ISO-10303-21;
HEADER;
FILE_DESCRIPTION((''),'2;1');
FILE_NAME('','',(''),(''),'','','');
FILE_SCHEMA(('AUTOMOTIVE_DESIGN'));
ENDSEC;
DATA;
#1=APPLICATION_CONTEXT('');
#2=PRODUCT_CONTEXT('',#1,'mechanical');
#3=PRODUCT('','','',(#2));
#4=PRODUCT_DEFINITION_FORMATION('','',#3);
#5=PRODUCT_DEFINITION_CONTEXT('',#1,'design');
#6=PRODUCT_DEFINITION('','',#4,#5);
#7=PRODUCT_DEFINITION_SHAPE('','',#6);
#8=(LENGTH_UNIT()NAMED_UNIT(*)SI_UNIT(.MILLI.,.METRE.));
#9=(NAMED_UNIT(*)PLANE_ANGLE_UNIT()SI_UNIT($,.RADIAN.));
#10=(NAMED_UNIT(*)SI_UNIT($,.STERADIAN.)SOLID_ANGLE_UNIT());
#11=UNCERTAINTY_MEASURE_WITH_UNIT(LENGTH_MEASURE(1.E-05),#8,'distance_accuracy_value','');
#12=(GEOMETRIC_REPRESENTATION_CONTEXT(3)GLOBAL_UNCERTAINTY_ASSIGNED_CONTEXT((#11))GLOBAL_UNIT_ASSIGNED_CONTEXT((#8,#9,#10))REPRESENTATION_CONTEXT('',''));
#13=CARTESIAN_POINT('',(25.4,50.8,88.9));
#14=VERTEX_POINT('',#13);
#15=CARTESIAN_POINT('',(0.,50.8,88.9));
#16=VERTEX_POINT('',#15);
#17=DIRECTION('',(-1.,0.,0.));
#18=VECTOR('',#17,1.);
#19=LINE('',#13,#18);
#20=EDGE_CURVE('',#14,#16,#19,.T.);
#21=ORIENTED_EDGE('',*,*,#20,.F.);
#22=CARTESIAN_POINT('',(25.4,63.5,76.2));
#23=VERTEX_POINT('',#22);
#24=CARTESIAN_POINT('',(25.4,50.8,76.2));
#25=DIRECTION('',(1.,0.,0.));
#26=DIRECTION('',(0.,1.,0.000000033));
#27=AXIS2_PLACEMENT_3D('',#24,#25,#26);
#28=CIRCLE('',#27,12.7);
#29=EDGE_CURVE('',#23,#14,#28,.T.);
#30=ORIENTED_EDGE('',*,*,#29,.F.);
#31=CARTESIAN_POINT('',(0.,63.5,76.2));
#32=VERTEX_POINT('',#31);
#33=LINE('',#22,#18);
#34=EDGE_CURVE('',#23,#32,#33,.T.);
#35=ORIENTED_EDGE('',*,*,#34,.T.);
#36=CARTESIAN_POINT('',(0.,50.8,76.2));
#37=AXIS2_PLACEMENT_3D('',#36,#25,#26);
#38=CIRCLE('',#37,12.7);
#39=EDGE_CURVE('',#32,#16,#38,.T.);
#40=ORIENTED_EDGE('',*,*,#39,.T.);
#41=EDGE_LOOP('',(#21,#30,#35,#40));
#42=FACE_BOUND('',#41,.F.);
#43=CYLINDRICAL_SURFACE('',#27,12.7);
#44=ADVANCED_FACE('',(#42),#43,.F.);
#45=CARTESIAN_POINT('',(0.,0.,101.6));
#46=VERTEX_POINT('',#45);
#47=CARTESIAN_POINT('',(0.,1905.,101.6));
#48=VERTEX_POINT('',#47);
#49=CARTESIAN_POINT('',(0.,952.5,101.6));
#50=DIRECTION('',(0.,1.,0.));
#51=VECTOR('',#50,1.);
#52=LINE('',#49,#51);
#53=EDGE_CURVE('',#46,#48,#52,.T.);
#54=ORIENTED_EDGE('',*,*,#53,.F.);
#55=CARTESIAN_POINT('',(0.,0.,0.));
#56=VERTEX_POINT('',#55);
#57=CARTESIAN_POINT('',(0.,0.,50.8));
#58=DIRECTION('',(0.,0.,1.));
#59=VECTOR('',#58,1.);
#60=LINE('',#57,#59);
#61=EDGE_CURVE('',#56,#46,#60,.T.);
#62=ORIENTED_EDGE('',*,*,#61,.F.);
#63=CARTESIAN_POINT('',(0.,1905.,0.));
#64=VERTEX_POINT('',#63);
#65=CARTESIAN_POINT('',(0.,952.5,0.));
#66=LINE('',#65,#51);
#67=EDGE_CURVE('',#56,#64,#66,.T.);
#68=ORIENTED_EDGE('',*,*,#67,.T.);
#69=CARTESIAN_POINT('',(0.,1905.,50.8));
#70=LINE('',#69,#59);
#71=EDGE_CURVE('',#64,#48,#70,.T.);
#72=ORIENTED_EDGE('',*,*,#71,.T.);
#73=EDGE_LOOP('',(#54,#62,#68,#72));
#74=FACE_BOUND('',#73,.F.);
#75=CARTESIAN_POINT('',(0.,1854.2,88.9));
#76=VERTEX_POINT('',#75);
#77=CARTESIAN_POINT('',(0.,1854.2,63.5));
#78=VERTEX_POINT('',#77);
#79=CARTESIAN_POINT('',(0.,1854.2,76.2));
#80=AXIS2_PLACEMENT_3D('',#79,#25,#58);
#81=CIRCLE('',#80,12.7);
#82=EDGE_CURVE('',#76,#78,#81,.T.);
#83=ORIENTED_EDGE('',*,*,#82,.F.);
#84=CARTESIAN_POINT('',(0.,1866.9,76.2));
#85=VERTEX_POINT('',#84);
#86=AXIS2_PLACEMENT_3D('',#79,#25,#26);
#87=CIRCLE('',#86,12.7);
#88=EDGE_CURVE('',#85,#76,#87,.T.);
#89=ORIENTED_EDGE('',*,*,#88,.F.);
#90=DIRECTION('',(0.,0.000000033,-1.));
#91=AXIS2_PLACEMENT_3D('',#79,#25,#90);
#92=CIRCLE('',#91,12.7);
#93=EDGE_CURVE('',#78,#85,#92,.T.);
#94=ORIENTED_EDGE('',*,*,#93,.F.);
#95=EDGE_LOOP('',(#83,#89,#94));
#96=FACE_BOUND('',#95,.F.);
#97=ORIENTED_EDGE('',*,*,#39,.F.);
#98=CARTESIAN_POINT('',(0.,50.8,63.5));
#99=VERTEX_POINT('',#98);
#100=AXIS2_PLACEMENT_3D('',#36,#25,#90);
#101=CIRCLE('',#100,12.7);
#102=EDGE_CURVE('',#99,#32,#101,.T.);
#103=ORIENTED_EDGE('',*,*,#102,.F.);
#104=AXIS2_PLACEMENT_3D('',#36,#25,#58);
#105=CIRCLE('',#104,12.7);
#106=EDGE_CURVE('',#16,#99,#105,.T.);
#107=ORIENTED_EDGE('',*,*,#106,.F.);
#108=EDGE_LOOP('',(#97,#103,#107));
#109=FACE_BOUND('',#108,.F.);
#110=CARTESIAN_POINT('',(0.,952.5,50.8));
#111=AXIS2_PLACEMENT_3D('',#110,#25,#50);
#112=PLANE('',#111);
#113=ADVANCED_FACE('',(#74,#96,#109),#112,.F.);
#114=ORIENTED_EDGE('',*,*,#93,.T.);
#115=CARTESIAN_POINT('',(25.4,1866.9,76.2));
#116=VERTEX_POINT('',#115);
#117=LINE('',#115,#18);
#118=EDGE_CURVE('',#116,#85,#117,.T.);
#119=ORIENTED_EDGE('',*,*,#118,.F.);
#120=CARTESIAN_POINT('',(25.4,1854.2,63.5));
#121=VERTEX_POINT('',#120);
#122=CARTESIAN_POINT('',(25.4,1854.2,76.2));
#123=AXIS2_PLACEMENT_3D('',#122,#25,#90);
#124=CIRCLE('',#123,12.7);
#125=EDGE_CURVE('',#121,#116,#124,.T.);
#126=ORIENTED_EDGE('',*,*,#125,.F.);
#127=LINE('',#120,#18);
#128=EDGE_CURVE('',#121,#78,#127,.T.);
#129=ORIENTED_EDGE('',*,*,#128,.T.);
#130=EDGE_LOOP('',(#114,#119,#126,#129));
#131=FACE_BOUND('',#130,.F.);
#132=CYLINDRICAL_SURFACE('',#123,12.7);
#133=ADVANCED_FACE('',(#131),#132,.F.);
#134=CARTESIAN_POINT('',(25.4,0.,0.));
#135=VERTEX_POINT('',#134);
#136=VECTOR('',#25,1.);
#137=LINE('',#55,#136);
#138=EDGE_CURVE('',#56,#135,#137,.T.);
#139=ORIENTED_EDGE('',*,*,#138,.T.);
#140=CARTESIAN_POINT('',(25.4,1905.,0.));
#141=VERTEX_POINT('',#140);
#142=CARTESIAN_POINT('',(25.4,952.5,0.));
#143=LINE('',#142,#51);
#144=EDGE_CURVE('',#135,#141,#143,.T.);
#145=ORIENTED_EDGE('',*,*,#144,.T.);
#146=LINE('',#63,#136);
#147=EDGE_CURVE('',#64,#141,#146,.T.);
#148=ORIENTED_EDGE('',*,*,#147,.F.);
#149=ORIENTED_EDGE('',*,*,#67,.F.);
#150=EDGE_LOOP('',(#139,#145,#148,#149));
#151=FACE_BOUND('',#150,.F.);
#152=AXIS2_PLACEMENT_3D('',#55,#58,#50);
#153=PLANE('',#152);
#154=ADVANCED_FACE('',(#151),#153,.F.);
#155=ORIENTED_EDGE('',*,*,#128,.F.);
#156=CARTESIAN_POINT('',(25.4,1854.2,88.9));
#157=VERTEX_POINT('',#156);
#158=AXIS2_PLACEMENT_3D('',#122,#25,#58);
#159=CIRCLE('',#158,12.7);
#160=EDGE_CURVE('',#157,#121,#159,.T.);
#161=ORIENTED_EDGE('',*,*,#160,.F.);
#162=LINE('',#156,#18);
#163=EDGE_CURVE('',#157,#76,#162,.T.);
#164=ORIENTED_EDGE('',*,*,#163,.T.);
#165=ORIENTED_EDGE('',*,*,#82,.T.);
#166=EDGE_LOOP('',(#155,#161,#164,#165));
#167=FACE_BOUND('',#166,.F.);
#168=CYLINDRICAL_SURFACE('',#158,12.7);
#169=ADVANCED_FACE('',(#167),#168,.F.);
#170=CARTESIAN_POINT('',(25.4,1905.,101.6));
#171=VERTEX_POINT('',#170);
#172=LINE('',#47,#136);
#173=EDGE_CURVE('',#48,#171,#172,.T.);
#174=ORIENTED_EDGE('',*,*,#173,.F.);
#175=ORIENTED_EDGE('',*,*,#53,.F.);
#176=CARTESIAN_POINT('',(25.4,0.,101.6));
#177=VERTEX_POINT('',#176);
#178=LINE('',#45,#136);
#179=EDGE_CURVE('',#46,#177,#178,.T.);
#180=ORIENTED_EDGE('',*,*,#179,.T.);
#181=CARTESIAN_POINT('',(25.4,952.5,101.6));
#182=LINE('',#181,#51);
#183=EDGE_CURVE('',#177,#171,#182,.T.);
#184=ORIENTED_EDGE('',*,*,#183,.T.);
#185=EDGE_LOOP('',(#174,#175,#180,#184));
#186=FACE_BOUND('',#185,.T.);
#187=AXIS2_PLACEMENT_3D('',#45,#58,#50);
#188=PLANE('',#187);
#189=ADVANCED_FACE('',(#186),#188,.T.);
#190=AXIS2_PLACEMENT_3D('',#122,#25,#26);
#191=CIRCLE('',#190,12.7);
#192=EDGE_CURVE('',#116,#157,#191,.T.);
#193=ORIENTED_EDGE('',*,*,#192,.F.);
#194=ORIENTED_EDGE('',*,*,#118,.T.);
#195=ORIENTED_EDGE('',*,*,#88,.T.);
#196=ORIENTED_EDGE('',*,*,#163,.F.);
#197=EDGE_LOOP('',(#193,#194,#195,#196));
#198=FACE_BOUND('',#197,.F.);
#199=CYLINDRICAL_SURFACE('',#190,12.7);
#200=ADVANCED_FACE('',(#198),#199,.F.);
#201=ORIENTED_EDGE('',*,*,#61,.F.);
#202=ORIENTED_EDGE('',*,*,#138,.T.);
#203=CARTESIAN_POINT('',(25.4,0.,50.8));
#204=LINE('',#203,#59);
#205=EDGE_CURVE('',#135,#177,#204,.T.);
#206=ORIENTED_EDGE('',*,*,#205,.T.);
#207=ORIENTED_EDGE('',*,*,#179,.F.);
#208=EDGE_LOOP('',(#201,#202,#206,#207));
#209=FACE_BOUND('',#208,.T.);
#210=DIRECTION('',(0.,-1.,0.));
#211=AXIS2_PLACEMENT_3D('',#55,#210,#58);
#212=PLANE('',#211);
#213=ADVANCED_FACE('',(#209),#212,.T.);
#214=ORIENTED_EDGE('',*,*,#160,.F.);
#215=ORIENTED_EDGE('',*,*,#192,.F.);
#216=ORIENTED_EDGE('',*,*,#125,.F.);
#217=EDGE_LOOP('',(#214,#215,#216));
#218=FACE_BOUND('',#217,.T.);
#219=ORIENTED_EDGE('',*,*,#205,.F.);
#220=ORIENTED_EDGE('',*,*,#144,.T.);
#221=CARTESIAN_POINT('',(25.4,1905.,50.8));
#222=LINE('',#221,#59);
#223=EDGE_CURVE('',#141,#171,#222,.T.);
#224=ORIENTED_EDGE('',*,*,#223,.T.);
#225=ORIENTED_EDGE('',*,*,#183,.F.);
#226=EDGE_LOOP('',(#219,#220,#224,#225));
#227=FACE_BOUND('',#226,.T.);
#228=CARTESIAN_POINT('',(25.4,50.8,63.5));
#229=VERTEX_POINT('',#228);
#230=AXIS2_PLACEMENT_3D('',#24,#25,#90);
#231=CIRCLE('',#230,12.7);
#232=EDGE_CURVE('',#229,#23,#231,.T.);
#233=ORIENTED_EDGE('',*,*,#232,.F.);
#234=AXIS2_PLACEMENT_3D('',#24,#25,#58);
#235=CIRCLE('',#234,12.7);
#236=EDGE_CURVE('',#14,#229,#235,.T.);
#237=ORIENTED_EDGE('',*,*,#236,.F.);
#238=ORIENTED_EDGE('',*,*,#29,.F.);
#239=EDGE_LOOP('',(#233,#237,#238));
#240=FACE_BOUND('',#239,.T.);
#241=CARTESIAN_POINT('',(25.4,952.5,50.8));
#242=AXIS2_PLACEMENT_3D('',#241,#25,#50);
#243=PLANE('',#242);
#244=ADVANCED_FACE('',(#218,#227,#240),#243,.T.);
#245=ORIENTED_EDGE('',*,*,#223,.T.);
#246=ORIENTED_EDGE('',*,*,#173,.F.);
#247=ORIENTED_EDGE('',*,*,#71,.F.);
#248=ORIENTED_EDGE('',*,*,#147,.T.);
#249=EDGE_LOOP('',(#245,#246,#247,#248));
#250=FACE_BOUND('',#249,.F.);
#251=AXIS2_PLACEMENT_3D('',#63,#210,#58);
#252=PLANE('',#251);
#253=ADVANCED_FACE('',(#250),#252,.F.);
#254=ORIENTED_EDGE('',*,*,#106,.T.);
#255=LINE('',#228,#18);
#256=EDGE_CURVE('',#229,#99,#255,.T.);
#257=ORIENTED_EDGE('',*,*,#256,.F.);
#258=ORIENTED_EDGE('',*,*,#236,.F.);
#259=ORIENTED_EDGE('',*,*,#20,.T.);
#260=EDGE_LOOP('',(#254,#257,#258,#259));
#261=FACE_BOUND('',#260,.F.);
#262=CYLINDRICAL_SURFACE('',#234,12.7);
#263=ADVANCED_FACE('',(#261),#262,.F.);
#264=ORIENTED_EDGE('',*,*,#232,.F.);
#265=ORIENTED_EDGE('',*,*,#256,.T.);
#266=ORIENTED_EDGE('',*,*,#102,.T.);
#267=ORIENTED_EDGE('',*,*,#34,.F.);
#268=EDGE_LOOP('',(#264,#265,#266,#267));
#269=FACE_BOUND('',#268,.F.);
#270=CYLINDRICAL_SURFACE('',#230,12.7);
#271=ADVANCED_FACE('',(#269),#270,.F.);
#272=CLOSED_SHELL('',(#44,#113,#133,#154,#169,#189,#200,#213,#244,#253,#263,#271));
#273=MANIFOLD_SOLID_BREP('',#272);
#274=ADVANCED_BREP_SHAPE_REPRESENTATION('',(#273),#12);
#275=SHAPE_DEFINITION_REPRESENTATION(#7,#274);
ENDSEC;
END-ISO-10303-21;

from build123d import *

# Parameters (mm, degrees)
F0_W     = 1905
F0_H     = 101.6
F1_DEPTH = 25.4
F3_DEPTH = 25.401


with BuildPart() as f1:
    # F0 (on Right) → F1 (new body)
    with BuildSketch(Plane.YZ):
        with Locations((952.5, 50.8)):
            Rectangle(F0_W, F0_H)
    extrude(amount=F1_DEPTH)

    # F2 (on face) → F3 (cut, through all)
    with BuildSketch(Plane.YZ.offset(25.4)):
        with BuildLine():
            ThreePointArc((63.5, 76.2), (59.780256, 85.180256), (50.8, 88.9))
            Line((50.8, 88.9), (50.8, 63.5))
            ThreePointArc((50.8, 63.5), (59.780256, 67.219744), (63.5, 76.2))
        make_face()
        with BuildLine():
            Line((50.8, 63.5), (50.8, 88.9))
            ThreePointArc((50.8, 88.9), (38.1, 76.2), (50.8, 63.5))
        make_face()
        with BuildLine():
            ThreePointArc((1866.9, 76.2), (1863.180256, 85.180256), (1854.2, 88.9))
            Line((1854.2, 88.9), (1854.2, 63.5))
            ThreePointArc((1854.2, 63.5), (1863.180256, 67.219744), (1866.9, 76.2))
        make_face()
        with BuildLine():
            Line((1854.2, 63.5), (1854.2, 88.9))
            ThreePointArc((1854.2, 88.9), (1841.5, 76.2), (1854.2, 63.5))
        make_face()
    extrude(amount=-F3_DEPTH, mode=Mode.SUBTRACT)


solid = f1.part
